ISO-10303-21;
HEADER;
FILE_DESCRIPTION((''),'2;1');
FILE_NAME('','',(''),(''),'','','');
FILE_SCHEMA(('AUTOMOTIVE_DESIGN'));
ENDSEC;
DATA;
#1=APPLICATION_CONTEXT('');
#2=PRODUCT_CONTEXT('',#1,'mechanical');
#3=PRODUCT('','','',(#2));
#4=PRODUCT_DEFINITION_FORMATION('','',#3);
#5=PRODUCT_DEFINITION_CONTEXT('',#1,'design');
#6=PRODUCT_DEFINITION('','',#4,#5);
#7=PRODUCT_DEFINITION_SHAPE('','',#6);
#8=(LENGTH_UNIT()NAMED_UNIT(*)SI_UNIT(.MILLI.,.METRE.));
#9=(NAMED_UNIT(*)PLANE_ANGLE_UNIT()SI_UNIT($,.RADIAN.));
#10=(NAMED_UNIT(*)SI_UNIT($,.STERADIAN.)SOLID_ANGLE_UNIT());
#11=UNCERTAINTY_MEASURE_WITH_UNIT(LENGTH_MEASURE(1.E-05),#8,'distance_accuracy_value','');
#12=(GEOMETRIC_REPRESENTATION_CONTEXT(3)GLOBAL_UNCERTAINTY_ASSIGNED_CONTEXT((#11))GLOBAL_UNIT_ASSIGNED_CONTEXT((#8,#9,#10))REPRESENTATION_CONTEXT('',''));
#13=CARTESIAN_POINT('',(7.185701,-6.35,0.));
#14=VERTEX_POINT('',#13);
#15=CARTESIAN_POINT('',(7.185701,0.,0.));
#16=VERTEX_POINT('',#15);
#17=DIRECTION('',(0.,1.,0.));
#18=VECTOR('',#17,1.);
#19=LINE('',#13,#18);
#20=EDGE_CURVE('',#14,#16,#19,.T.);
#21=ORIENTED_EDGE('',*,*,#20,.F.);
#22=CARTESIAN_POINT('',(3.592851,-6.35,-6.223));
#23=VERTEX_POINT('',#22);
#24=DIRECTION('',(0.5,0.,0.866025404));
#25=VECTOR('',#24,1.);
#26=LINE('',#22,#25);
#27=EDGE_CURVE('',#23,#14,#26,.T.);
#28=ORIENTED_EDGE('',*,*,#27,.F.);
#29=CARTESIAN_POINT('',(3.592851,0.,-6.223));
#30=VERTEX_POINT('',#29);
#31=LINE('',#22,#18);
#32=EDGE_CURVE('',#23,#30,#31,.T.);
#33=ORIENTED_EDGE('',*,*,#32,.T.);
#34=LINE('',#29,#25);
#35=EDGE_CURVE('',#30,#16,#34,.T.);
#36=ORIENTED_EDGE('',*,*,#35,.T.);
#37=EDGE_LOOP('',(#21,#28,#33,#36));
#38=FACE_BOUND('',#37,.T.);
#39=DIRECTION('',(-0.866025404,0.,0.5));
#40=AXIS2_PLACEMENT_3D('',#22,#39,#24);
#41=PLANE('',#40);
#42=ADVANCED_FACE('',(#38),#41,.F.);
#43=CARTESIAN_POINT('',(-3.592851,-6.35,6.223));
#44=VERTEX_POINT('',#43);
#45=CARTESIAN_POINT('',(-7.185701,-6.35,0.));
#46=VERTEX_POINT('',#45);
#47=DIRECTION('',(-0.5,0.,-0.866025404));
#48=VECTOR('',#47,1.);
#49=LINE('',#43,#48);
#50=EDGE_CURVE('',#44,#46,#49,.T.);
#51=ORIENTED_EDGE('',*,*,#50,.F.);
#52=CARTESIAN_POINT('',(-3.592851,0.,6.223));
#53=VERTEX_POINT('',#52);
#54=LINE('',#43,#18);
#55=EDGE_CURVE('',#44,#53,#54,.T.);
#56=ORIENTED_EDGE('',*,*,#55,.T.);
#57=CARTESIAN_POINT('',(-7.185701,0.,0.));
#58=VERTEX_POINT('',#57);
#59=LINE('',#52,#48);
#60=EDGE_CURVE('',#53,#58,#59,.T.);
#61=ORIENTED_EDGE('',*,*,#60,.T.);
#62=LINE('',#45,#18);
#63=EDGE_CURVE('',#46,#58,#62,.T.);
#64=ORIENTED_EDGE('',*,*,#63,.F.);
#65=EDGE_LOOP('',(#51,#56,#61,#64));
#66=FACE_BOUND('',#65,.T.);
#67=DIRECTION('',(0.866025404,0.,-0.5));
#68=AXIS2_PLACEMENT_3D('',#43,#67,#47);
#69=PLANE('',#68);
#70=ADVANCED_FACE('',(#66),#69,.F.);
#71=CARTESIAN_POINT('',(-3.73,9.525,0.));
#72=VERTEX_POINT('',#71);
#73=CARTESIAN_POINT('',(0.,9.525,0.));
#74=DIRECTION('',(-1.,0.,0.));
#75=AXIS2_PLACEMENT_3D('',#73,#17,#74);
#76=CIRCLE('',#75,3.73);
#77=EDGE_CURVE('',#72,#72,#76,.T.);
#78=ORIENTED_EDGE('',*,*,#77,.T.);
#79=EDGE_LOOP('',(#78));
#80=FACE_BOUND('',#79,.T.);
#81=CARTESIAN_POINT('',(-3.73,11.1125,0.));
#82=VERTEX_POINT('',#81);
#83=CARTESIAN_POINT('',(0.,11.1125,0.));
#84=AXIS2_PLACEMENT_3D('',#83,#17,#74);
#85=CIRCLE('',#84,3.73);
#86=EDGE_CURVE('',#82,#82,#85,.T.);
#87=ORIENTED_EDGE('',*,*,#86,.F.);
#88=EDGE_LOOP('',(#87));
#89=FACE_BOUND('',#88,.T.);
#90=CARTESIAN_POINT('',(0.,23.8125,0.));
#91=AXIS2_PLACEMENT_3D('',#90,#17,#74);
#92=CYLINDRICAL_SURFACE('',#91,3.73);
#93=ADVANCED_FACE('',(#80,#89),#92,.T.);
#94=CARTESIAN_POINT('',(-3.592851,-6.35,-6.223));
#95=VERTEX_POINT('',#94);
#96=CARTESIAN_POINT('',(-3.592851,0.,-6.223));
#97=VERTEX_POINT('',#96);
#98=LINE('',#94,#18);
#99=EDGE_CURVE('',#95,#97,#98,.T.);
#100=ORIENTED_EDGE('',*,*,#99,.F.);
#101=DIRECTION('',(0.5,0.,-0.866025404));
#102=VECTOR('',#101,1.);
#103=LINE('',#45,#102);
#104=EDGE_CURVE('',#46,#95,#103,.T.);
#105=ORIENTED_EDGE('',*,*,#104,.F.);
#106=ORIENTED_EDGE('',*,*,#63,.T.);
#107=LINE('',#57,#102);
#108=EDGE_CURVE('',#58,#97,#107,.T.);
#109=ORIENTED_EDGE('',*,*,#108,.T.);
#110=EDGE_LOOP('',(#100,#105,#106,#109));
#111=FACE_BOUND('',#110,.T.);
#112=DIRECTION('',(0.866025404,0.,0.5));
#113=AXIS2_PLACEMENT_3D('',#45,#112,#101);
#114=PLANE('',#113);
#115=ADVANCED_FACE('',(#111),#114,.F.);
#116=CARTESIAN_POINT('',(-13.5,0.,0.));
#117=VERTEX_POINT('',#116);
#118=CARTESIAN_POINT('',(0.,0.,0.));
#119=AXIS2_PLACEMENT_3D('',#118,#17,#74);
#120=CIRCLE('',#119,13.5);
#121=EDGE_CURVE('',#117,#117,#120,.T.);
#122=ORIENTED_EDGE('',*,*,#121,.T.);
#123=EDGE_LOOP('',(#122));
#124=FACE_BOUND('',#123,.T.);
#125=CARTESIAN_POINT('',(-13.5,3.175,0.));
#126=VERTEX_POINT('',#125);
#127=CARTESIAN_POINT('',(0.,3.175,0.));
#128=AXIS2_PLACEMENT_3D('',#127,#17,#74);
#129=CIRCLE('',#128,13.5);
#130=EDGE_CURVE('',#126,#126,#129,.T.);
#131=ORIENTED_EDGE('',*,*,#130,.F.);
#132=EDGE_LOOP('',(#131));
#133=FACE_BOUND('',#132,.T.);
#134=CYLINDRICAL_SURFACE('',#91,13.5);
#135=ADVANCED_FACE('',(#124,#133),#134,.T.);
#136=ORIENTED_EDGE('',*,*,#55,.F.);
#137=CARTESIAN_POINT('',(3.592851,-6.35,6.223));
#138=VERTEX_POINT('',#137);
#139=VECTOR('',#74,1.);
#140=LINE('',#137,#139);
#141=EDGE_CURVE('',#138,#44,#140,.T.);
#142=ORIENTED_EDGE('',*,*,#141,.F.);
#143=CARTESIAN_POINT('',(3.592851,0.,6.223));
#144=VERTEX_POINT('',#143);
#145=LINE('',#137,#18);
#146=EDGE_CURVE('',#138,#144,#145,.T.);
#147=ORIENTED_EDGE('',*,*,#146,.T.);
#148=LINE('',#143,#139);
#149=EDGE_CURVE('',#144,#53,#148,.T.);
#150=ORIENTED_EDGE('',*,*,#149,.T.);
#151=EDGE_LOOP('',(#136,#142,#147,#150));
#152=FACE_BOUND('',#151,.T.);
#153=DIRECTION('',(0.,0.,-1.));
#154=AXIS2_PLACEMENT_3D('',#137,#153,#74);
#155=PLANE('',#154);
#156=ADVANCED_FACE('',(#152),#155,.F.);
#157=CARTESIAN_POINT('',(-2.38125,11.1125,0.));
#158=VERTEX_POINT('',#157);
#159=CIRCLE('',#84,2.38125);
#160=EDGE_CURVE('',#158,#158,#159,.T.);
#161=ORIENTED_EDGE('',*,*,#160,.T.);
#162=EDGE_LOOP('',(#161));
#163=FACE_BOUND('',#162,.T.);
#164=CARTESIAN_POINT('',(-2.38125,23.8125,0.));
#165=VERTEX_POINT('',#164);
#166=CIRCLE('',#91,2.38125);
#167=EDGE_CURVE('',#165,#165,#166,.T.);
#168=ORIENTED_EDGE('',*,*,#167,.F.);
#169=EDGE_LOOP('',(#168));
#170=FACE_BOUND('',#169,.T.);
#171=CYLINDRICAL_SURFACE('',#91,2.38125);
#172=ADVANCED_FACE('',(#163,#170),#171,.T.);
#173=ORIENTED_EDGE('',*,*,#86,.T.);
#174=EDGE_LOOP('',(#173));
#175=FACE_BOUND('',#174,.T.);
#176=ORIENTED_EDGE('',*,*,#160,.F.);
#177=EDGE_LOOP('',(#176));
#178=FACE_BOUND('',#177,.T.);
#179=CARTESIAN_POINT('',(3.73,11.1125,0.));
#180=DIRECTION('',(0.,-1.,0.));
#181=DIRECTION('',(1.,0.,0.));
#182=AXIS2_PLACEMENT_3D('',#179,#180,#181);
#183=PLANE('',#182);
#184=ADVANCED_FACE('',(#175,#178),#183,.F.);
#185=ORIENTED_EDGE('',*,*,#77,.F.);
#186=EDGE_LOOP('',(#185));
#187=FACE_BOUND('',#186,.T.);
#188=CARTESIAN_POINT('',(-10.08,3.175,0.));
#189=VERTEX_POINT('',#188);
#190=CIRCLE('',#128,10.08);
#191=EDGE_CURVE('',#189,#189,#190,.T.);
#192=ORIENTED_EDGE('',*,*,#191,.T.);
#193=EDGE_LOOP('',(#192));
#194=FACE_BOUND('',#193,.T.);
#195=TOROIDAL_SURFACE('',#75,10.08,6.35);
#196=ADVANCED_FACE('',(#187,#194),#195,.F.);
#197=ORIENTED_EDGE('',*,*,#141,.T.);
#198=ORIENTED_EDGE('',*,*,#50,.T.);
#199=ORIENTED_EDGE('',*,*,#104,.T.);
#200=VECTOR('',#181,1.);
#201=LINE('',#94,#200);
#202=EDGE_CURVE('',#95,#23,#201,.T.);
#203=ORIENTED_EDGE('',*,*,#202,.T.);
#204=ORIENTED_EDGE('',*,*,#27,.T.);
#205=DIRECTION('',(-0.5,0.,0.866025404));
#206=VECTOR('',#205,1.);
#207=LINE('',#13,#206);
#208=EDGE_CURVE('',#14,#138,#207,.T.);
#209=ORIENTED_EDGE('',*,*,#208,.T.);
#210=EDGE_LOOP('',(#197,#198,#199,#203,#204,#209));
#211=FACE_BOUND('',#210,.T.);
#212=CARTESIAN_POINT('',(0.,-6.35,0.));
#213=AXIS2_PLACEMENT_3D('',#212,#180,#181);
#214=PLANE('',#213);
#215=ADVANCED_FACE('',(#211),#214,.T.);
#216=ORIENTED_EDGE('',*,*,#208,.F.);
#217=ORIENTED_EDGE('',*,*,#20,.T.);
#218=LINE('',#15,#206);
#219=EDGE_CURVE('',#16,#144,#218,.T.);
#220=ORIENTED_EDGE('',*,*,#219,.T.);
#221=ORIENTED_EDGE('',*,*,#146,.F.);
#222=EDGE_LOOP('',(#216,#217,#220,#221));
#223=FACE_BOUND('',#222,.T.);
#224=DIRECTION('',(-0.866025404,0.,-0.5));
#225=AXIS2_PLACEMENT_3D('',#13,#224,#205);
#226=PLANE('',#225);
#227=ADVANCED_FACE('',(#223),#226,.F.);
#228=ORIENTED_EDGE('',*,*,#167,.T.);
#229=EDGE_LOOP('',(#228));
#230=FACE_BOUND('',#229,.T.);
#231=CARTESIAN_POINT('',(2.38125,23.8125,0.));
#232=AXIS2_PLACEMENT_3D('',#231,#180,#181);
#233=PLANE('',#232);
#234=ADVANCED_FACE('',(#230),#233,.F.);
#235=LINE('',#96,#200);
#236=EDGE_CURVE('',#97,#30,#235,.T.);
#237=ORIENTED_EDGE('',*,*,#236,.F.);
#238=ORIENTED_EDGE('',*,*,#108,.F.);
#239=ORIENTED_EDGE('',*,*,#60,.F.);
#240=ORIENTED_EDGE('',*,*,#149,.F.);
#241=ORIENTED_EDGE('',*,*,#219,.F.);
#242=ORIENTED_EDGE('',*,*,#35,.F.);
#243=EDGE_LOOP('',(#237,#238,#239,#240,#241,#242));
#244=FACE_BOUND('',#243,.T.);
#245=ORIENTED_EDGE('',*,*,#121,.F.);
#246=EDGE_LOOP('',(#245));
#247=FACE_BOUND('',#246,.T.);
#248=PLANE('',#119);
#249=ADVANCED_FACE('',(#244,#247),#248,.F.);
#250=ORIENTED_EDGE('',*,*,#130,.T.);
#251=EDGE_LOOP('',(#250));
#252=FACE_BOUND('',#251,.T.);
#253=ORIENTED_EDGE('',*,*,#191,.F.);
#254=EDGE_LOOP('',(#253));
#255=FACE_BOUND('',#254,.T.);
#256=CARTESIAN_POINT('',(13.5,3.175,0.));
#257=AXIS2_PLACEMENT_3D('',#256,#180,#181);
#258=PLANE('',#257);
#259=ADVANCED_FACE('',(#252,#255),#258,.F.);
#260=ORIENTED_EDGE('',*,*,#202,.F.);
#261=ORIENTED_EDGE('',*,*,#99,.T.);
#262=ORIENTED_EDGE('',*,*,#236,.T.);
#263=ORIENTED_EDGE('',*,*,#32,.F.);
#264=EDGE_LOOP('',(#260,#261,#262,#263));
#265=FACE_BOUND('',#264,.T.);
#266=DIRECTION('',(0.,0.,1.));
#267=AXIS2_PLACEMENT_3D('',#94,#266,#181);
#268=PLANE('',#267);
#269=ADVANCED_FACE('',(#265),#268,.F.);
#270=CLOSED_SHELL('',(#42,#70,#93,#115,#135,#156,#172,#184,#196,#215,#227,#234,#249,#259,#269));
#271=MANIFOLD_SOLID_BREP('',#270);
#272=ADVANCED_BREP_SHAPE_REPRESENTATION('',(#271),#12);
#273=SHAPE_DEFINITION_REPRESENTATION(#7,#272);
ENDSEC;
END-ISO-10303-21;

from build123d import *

# Parameters (mm, degrees)
BOSS_EXTRUDE1_DEPTH = 6.35


with BuildPart() as part:
    # Sketch1 → Revolve1 (revolve)
    with BuildSketch(Plane.XY, mode=Mode.PRIVATE) as revolve1_sk:
        with BuildLine():
            Line((0, 0), (13.5, 0))
            Line((13.5, 0), (13.5, 3.175))
            Line((13.5, 3.175), (10.08, 3.175))
            ThreePointArc((10.08, 3.175), (5.589871939, 5.034871939), (3.73, 9.525))
            Line((3.73, 9.525), (3.73, 11.1125))
            Line((3.73, 11.1125), (2.38125, 11.1125))
            Line((2.38125, 11.1125), (2.38125, 23.8125))
            Line((2.38125, 23.8125), (0, 23.8125))
            Line((0, 23.8125), (0, 0))
        make_face()
    revolve(revolve1_sk.sketch.rotate(Axis((0, 23.8125, 0), (0, -1, 0)), 180), axis=Axis((0, 23.8125, 0), (0, -1, 0)))

    # Sketch2 → Boss-Extrude1 (add)
    with BuildSketch(Plane.XZ):
        Polygon((7.18570145, 0), (3.592850725, 6.223), (-3.592850725, 6.223), (-7.18570145, 0), (-3.592850725, -6.223), (3.592850725, -6.223), align=None)
    extrude(amount=BOSS_EXTRUDE1_DEPTH)


solid = part.part
